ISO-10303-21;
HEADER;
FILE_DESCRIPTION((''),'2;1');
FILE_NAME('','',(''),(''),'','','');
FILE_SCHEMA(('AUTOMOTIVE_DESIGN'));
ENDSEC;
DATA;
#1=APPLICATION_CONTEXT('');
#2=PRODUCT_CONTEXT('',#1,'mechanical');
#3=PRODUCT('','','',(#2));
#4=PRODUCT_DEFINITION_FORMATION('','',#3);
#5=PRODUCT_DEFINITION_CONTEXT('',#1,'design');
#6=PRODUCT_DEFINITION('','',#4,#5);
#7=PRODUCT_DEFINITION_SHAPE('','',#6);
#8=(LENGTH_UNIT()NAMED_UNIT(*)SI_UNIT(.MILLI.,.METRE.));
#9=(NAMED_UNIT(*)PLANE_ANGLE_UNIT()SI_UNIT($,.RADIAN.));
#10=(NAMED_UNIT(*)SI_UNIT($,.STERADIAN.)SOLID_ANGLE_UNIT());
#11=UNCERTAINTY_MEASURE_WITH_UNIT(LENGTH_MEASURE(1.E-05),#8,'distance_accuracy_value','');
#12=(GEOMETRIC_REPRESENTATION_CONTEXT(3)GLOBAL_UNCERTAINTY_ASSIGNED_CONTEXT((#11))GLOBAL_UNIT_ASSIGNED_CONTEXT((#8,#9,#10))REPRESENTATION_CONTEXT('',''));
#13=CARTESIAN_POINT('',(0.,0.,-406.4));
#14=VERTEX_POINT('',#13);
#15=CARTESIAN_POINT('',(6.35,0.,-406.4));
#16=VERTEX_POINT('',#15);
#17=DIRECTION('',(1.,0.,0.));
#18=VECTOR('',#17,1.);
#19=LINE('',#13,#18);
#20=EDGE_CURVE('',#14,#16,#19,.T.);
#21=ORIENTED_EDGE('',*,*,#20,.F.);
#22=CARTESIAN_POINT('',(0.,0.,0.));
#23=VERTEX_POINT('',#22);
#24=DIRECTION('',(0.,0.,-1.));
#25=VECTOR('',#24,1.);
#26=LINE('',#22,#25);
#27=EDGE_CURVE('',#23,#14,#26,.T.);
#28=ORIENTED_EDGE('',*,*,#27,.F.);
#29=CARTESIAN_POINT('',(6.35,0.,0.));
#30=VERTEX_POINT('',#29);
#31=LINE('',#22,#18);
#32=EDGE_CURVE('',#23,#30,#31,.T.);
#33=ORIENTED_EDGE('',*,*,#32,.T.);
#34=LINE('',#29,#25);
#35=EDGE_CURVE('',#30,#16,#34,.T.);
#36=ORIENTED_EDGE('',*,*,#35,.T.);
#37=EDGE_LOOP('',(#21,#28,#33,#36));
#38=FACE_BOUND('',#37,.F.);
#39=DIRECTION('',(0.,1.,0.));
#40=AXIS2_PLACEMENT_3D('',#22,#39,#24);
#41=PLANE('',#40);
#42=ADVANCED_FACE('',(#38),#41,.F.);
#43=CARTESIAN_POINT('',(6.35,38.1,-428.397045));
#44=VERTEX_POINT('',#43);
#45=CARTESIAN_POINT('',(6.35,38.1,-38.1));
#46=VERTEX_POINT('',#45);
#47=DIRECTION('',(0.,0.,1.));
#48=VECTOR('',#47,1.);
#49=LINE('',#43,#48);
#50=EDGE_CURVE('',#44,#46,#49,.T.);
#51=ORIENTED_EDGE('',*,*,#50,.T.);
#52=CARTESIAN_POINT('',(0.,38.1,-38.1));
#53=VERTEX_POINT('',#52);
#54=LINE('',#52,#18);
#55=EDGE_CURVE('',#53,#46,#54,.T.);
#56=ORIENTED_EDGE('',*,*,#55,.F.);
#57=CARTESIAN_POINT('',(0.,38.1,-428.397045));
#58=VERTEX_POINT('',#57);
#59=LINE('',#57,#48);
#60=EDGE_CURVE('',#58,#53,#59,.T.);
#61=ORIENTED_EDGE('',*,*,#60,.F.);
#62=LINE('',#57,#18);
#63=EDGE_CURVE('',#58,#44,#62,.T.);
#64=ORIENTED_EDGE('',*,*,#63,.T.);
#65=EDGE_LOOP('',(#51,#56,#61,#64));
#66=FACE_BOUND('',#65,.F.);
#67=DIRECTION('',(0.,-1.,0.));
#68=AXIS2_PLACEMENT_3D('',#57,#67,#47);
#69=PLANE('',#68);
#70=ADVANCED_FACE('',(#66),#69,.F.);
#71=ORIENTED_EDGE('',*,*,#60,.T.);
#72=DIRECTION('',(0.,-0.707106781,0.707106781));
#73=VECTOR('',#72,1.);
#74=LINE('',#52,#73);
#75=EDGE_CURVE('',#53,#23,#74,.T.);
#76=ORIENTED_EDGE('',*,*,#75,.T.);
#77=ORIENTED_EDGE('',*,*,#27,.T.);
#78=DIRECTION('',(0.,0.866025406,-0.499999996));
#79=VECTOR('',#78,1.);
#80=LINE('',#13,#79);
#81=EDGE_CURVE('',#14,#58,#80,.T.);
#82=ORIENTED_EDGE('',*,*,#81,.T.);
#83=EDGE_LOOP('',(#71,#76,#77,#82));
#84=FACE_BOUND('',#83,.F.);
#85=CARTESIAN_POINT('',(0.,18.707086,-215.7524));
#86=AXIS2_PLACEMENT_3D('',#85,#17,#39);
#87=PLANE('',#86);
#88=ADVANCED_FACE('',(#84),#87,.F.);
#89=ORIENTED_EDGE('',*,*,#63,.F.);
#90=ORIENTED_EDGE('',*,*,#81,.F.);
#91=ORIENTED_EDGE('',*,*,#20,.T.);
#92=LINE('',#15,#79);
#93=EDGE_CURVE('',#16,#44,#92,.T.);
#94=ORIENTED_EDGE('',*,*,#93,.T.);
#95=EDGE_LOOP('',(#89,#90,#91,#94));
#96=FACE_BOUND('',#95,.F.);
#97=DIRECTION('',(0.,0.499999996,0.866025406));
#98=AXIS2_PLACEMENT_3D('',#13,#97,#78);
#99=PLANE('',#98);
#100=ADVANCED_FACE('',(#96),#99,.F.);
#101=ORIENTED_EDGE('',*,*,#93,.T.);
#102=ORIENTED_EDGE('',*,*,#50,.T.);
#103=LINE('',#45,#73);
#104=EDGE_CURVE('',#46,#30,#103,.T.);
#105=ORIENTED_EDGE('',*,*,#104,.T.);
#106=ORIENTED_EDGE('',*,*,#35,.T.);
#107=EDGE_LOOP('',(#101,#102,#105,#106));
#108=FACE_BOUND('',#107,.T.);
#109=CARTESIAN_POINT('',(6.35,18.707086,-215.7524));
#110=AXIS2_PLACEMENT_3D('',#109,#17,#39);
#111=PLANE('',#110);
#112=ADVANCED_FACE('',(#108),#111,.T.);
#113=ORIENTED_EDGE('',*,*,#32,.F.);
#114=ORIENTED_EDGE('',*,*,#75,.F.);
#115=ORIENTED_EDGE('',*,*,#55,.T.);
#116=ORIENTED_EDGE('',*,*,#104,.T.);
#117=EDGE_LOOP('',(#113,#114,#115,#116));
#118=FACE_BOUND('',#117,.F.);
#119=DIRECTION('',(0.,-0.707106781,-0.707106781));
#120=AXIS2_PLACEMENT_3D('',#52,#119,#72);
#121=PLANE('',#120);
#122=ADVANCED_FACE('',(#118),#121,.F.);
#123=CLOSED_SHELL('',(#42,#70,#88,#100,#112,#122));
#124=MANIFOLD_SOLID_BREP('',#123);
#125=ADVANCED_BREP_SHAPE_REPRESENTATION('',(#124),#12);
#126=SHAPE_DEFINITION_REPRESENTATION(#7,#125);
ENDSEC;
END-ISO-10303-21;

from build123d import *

# Parameters (mm, degrees)
PAD_DEPTH = 6.35


with BuildPart() as part:
    # Sketch → Pad (new body)
    with BuildSketch(Plane.YZ):
        Polygon((0, 0), (0, -406.4), (38.1, -428.397045), (38.1, -38.1), align=None)
    extrude(amount=PAD_DEPTH)


solid = part.part
